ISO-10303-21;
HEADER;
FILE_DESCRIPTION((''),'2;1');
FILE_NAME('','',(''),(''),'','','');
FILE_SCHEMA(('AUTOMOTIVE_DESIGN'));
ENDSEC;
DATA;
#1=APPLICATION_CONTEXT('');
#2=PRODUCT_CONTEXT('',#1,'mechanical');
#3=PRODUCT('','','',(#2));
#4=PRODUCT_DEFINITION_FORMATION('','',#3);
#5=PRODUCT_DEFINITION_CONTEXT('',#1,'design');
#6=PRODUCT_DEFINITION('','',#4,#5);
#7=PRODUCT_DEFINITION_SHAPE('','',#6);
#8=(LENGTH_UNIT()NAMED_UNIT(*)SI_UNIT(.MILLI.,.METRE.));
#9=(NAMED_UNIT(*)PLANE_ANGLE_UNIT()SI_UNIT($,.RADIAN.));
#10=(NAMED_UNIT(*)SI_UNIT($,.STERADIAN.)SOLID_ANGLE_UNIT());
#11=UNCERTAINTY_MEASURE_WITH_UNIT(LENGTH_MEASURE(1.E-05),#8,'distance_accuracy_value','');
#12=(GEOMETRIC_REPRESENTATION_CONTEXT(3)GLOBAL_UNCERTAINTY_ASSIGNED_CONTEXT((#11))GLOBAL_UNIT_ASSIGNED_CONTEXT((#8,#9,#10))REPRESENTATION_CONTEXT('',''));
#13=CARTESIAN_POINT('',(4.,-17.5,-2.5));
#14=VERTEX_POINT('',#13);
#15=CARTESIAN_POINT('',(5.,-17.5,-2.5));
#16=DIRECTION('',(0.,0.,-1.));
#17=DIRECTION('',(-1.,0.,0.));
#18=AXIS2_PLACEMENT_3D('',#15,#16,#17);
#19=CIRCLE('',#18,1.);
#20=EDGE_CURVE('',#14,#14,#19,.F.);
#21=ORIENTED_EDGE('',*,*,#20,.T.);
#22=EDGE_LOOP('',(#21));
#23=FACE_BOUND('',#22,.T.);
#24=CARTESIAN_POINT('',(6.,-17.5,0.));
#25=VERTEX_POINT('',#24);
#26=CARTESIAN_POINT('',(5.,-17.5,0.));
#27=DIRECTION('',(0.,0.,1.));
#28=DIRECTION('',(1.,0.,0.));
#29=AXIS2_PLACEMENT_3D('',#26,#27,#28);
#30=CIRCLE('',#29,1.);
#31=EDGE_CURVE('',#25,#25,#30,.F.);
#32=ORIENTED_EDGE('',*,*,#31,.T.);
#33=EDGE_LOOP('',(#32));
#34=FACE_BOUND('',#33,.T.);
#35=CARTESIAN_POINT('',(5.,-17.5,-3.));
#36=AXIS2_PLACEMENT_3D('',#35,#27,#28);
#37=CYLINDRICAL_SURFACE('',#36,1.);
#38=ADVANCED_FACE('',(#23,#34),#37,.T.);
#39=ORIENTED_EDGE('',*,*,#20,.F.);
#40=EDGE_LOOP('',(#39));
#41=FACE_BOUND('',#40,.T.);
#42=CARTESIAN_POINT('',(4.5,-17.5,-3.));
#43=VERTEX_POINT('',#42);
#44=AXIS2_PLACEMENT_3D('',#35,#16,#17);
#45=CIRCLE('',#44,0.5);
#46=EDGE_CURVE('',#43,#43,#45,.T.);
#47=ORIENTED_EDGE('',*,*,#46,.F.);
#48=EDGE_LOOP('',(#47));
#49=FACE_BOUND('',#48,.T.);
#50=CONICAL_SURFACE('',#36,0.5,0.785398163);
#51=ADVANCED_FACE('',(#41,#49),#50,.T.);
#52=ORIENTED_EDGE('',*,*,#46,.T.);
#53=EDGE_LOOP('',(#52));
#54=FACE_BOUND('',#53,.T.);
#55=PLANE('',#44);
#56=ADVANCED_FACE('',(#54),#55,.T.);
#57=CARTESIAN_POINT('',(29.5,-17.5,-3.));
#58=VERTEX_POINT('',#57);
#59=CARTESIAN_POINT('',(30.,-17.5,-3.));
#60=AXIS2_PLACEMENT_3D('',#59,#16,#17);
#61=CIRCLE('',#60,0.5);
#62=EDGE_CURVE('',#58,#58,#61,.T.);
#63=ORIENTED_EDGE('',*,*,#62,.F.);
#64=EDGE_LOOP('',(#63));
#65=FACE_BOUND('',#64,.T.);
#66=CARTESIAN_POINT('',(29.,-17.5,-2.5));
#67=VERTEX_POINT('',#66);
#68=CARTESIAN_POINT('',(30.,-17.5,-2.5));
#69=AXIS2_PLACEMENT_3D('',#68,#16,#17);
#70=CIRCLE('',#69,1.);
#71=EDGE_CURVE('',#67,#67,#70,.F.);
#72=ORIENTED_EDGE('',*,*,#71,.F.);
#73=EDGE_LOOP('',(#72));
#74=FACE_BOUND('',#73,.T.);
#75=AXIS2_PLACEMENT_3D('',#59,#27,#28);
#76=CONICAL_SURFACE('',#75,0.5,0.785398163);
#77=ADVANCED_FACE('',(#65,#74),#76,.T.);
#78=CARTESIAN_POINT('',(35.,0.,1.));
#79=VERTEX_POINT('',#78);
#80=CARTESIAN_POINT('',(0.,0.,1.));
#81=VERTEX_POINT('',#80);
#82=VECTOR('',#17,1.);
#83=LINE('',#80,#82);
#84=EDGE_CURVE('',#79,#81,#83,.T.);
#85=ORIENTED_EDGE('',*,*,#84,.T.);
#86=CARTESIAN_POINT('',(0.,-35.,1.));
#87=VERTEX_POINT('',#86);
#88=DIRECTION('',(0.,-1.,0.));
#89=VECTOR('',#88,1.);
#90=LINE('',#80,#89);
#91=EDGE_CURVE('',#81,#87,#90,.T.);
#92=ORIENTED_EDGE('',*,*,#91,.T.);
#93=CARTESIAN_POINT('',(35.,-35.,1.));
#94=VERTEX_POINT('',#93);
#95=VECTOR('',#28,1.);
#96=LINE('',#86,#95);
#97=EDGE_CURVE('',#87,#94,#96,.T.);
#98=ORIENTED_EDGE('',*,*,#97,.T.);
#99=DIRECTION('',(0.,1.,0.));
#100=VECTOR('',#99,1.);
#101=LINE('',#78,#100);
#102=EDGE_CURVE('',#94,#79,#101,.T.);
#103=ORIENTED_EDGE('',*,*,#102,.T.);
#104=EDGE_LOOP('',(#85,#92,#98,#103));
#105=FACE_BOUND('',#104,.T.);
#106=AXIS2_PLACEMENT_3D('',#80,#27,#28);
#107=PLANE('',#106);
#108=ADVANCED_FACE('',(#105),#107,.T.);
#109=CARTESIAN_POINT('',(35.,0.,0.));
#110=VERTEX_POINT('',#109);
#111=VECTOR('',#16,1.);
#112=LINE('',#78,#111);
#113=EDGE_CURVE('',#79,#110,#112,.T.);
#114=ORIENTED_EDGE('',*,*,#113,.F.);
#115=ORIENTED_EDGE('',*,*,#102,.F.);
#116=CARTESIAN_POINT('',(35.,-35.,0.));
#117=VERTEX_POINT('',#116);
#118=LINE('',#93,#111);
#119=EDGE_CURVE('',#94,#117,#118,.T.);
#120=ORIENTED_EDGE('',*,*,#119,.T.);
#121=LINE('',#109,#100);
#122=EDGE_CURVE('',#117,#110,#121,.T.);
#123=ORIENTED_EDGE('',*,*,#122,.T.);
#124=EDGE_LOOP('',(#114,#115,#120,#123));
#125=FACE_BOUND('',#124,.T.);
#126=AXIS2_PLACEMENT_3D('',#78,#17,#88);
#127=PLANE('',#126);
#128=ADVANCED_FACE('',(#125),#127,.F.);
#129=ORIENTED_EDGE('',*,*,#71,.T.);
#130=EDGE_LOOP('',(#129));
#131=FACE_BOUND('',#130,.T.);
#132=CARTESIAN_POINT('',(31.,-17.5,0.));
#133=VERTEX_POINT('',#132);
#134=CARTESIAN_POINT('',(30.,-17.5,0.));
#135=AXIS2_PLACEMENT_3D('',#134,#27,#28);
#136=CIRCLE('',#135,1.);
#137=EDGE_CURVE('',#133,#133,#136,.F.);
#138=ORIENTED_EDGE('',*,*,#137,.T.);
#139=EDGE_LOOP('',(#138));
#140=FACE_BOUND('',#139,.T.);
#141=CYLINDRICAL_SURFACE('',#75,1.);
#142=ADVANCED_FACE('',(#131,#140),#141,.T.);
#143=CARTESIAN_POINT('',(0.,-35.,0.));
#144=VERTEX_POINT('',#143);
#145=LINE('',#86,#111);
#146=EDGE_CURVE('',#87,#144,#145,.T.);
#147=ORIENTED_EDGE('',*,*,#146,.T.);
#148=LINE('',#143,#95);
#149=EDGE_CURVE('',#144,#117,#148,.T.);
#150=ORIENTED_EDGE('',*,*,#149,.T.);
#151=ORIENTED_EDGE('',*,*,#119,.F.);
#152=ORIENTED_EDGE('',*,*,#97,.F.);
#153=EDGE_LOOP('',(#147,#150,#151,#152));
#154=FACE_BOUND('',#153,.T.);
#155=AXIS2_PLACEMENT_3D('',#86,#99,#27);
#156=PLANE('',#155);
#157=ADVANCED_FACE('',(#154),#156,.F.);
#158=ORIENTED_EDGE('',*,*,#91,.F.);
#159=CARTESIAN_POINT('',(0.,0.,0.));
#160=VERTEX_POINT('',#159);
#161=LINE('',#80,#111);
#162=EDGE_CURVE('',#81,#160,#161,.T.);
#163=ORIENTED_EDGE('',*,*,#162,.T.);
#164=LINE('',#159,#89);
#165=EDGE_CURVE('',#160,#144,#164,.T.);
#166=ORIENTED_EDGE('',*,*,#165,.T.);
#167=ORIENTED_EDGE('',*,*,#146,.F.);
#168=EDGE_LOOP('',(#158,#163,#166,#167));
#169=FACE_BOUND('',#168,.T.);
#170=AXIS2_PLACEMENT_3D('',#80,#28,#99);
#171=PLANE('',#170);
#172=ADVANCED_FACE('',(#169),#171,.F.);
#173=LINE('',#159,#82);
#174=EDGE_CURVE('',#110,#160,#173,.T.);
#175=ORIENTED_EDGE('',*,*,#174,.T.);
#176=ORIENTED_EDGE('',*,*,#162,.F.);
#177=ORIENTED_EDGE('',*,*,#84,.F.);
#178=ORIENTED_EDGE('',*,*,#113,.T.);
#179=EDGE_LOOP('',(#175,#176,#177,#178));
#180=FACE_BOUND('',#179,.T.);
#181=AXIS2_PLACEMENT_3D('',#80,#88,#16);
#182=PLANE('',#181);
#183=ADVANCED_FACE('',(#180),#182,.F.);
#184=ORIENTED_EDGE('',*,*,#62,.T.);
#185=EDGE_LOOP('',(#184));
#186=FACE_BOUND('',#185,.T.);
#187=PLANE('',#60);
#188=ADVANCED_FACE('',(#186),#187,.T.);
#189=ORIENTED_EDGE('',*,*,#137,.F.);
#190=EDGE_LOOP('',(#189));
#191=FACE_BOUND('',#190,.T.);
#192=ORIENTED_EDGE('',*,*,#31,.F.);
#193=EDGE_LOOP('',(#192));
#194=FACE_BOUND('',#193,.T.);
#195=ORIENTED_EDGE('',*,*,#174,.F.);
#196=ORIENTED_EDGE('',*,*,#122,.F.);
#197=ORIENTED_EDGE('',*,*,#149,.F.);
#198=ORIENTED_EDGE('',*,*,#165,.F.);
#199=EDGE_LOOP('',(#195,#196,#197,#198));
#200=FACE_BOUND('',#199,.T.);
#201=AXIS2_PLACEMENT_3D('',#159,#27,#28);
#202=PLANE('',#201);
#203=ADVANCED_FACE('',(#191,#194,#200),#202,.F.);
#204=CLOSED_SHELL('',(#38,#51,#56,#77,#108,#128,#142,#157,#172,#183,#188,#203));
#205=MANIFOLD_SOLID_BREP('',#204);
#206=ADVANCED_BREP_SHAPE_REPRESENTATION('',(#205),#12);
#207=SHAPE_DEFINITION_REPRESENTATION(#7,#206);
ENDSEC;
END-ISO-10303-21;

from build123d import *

# Parameters (mm, degrees)
ESQUISSE1_W        = 35
ESQUISSE1_H        = 35
BOSS_EXTRU_1_DEPTH = 1
ESQUISSE2_R        = 1
BOSS_EXTRU_2_DEPTH = 3
CHANFREIN1_SIZE    = 0.5


with BuildPart() as part:
    # Esquisse1 → Boss.-Extru.1 (new body)
    with BuildSketch(Plane.XY):
        with Locations((17.5, -17.5)):
            Rectangle(ESQUISSE1_W, ESQUISSE1_H)
    extrude(amount=BOSS_EXTRU_1_DEPTH)

    # Esquisse2 → Boss.-Extru.2 (add)
    with BuildSketch(Plane(origin=(0, 0, 0), x_dir=(-1, 0, 0), z_dir=(0, 0, -1))):
        with Locations(Location((-30, -17.5, 0), (0, 0, 180))):  # turned: the seam where the file's is
            Circle(ESQUISSE2_R)
        with Locations(Location((-5, -17.5, 0), (0, 0, 180))):  # turned: the seam where the file's is
            Circle(ESQUISSE2_R)
    extrude(amount=BOSS_EXTRU_2_DEPTH)

    # Chanfrein1
    chanfrein1_edges = [part.edges().sort_by_distance(p)[0] for p in [
        (29, -17.5, -3),
        (4, -17.5, -3),
    ]]
    chamfer(chanfrein1_edges, length=CHANFREIN1_SIZE)


solid = part.part
